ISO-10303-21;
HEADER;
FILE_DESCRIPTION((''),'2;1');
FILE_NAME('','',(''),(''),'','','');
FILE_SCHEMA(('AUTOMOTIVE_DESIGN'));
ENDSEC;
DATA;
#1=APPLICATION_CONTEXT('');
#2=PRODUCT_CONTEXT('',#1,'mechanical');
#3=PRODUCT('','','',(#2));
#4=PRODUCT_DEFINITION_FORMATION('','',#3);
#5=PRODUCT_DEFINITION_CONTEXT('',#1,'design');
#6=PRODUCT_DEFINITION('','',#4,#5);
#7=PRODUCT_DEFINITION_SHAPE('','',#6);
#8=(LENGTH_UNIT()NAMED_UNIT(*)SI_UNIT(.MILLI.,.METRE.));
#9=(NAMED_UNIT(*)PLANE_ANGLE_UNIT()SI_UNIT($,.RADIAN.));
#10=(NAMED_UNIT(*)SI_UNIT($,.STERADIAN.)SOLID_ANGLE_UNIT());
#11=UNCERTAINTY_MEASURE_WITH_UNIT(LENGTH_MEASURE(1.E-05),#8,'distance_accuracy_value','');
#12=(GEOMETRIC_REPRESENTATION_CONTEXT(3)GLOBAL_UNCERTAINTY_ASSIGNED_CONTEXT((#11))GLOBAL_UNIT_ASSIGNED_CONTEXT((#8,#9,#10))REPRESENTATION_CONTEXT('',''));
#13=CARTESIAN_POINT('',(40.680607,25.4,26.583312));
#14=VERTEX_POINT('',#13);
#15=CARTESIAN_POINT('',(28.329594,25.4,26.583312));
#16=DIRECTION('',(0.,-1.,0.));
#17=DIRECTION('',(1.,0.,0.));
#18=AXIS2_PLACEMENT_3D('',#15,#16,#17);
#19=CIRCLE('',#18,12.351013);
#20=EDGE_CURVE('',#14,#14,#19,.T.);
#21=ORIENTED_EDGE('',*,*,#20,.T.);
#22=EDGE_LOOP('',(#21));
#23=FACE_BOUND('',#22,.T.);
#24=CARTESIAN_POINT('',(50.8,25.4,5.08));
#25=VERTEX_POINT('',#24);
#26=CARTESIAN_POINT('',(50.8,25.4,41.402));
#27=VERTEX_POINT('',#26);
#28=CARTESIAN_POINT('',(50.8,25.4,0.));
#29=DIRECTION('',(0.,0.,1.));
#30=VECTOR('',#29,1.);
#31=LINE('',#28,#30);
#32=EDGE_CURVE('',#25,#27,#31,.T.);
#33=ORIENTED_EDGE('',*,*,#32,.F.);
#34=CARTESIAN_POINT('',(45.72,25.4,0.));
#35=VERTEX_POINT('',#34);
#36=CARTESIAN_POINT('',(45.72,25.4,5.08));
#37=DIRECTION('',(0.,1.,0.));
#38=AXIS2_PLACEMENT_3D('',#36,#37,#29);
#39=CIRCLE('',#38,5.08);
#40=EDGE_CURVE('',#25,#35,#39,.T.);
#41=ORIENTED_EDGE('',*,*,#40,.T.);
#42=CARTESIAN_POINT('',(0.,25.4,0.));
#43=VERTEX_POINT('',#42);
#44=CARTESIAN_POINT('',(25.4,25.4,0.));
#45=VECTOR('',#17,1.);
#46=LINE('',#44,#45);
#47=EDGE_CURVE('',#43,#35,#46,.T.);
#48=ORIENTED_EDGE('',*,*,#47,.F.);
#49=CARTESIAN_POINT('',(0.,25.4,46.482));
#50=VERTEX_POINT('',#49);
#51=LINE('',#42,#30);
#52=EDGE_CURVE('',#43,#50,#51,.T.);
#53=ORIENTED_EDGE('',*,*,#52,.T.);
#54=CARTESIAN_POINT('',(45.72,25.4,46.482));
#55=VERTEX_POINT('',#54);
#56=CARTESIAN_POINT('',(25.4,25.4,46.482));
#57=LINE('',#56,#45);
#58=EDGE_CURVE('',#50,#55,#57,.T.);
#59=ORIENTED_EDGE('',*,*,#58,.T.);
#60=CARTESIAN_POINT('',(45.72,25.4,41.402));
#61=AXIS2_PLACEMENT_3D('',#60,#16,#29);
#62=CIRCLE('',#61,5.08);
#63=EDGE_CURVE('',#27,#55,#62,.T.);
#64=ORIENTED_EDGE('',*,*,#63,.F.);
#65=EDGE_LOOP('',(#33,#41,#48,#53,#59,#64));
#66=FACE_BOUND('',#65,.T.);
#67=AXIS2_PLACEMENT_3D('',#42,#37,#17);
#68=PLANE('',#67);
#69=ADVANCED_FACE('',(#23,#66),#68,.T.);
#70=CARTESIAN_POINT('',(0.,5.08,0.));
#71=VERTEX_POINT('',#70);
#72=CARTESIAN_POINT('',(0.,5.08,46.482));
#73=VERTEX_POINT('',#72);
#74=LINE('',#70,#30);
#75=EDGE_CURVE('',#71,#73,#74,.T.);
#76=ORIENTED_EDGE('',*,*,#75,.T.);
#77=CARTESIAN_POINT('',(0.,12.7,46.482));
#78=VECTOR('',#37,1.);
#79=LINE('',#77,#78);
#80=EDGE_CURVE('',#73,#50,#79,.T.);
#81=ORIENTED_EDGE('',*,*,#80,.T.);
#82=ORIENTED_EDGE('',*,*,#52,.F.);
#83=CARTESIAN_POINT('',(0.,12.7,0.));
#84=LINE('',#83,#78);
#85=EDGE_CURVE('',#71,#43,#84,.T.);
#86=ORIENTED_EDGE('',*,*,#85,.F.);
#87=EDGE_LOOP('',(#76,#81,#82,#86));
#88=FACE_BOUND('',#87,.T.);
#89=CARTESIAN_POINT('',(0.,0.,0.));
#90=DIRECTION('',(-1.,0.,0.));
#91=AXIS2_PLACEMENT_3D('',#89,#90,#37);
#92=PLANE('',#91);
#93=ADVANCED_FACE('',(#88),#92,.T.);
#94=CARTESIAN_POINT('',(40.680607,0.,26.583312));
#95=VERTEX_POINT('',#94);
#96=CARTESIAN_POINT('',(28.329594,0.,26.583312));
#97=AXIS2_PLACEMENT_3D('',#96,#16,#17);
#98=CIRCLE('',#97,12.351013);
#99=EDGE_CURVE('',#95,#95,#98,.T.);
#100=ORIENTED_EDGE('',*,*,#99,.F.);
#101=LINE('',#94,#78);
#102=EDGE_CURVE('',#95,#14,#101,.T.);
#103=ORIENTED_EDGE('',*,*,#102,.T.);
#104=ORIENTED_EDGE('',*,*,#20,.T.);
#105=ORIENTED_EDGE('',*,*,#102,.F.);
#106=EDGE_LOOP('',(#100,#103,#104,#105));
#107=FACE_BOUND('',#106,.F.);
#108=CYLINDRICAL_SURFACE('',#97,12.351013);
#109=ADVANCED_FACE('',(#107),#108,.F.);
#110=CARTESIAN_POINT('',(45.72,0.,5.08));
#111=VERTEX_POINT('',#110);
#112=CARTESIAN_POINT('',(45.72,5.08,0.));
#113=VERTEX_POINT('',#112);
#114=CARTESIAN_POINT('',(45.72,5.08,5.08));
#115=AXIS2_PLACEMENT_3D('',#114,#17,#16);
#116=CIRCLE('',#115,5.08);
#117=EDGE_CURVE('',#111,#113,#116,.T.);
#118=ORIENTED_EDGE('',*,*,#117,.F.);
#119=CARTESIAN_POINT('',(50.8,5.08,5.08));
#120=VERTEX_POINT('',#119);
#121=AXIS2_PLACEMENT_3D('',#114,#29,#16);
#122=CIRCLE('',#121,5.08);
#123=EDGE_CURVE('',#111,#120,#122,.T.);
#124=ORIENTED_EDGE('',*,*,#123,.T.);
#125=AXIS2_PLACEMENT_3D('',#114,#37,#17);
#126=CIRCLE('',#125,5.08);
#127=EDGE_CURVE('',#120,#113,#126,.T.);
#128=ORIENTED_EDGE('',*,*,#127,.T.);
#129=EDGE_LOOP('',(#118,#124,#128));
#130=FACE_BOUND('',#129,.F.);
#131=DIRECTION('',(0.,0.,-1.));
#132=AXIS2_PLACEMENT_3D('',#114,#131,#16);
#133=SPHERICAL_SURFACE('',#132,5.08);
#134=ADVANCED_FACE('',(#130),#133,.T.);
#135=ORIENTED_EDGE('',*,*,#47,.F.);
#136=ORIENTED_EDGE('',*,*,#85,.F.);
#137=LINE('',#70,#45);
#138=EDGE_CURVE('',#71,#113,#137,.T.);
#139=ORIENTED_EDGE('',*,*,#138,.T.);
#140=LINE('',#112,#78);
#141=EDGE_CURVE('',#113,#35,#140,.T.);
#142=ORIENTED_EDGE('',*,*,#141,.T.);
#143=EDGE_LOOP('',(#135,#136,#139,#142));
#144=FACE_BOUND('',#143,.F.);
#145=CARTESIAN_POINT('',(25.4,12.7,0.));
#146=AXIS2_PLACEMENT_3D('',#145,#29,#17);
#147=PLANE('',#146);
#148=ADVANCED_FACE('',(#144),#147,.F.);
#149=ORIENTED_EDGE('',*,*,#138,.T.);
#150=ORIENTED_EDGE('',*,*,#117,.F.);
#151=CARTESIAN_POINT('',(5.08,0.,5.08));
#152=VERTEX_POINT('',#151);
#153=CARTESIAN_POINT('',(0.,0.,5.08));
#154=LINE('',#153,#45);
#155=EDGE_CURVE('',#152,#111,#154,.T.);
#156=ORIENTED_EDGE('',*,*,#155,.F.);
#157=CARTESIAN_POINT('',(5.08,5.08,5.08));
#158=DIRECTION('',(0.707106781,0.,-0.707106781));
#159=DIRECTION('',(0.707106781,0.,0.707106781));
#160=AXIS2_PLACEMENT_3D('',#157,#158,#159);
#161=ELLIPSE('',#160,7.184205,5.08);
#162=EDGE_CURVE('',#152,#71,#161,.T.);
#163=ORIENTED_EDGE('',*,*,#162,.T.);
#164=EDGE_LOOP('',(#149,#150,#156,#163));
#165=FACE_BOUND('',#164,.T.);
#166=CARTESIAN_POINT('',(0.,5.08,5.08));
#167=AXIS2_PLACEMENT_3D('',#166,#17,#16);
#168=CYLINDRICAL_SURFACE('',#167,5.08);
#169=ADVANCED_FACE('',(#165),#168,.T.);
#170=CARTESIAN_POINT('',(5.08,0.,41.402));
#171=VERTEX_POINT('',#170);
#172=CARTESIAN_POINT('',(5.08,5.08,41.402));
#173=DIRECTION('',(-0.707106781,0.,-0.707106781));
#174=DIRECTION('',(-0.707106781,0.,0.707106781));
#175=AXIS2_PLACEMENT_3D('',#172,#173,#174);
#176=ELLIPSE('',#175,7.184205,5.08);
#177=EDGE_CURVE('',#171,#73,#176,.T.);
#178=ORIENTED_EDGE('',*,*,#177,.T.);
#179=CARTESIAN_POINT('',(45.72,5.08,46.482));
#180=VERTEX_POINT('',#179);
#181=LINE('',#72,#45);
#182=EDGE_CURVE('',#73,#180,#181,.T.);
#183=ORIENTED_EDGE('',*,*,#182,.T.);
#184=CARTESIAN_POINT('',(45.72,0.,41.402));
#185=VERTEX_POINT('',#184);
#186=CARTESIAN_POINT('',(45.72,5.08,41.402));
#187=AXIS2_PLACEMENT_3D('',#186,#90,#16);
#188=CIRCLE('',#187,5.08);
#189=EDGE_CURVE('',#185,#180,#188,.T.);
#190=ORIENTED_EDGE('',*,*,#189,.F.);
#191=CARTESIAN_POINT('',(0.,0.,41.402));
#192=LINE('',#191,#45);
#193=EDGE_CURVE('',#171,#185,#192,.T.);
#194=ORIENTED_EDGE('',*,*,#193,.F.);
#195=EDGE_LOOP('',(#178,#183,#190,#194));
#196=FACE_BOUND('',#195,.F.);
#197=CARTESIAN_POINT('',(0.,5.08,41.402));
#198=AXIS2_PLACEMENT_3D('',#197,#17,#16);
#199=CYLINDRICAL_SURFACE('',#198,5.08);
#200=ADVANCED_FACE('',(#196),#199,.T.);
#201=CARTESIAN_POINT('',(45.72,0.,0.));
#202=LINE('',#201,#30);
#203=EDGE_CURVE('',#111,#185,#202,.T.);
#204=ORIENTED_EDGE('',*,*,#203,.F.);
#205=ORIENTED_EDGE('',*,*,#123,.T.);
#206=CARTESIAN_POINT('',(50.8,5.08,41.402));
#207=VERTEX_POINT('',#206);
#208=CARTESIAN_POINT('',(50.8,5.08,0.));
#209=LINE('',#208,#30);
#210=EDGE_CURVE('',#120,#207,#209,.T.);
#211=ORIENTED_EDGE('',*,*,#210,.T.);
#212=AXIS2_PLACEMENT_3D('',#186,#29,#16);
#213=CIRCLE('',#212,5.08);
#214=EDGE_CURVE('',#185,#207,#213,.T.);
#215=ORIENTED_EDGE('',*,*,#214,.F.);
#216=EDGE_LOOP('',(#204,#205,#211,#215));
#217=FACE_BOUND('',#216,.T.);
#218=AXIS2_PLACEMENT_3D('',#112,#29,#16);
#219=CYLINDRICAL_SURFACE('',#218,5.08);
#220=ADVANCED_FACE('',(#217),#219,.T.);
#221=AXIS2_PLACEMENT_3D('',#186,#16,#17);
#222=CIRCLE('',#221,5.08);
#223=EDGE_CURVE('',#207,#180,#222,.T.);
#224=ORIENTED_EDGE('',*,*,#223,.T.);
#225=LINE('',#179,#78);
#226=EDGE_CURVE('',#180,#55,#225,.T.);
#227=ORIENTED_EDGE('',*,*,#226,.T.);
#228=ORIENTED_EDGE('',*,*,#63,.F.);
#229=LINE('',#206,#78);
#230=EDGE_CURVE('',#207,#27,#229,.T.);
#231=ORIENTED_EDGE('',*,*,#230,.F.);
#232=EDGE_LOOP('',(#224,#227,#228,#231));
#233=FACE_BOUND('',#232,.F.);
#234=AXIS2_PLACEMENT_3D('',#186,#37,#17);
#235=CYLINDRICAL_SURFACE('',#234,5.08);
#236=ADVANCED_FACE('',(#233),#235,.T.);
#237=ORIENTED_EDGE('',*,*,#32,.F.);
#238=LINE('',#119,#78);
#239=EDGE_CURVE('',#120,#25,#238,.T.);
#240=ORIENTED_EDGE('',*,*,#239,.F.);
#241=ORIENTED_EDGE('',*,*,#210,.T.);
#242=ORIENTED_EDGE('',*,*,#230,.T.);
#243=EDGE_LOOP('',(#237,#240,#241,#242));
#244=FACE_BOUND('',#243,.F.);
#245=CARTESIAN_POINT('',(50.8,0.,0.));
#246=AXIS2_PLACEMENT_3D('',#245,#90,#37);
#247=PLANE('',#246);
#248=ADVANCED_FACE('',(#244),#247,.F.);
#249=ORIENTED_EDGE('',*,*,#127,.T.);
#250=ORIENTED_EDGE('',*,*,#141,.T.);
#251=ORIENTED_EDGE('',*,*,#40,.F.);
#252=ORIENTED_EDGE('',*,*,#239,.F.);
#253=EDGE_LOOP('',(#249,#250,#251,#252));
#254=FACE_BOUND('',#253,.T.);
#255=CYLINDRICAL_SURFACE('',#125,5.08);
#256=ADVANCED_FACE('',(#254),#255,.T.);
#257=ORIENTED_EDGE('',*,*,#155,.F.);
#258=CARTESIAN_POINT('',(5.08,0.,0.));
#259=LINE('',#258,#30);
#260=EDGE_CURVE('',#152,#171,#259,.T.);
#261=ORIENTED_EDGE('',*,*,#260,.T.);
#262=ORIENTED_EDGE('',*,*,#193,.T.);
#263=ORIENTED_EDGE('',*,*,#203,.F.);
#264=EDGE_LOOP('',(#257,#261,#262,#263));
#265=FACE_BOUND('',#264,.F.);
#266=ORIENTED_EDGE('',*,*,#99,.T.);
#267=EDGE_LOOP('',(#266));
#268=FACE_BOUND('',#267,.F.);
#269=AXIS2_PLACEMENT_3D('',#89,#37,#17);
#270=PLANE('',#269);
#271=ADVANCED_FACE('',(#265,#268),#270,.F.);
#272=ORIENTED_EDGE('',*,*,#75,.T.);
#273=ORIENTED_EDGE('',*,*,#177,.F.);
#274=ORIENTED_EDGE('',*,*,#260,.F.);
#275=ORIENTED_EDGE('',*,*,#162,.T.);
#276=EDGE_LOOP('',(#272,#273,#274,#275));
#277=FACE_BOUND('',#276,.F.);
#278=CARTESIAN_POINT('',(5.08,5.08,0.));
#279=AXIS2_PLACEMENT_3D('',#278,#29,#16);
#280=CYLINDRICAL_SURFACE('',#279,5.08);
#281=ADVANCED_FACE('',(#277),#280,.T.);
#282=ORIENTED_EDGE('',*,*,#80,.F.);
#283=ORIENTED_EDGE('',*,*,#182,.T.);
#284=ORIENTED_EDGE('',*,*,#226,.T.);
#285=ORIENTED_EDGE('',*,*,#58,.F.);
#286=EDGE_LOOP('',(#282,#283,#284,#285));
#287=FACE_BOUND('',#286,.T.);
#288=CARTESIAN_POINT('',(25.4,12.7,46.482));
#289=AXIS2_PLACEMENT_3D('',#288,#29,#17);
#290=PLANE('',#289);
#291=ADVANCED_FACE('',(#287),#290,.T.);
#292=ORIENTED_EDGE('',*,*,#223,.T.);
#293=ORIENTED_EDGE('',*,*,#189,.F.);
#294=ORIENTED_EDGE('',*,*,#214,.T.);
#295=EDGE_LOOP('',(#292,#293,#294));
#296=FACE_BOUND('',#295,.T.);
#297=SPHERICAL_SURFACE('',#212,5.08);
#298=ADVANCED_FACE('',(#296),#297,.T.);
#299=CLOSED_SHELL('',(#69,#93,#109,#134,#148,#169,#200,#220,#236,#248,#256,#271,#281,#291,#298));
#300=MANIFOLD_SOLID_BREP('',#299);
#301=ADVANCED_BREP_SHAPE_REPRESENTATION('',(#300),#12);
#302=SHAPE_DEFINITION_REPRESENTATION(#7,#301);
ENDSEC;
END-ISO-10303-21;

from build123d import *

# Parameters (mm, degrees)
F0_W     = 50.8
F0_H     = 25.4
F1_DEPTH = 46.482
F2_R     = 12.351013
F3_DEPTH = 25.4
F4_R     = 5.08
F5_R     = 5.08


with BuildPart() as f1:
    # F0 (on Top) → F1 (new body)
    with BuildSketch(Plane.XY):
        with Locations((25.4, 12.7)):
            Rectangle(F0_W, F0_H)
    extrude(amount=F1_DEPTH)

    # F2 (on face) → F3 (cut)
    with BuildSketch(Plane.XZ):
        with Locations((28.329594, 26.583312)):
            Circle(F2_R)
    extrude(amount=-F3_DEPTH, mode=Mode.SUBTRACT)

    # F4
    f4_edges = [f1.edges().sort_by_distance(p)[0] for p in [
        (50.8, 0, 23.241),
    ]]
    fillet(f4_edges, radius=F4_R)

    # F5
    f5_edges = [f1.edges().sort_by_distance(p)[0] for p in [
        (22.86, 0, 0),
        (0, 0, 23.241),
        (22.86, 0, 46.482),
    ]]
    fillet(f5_edges, radius=F5_R)


solid = f1.part
